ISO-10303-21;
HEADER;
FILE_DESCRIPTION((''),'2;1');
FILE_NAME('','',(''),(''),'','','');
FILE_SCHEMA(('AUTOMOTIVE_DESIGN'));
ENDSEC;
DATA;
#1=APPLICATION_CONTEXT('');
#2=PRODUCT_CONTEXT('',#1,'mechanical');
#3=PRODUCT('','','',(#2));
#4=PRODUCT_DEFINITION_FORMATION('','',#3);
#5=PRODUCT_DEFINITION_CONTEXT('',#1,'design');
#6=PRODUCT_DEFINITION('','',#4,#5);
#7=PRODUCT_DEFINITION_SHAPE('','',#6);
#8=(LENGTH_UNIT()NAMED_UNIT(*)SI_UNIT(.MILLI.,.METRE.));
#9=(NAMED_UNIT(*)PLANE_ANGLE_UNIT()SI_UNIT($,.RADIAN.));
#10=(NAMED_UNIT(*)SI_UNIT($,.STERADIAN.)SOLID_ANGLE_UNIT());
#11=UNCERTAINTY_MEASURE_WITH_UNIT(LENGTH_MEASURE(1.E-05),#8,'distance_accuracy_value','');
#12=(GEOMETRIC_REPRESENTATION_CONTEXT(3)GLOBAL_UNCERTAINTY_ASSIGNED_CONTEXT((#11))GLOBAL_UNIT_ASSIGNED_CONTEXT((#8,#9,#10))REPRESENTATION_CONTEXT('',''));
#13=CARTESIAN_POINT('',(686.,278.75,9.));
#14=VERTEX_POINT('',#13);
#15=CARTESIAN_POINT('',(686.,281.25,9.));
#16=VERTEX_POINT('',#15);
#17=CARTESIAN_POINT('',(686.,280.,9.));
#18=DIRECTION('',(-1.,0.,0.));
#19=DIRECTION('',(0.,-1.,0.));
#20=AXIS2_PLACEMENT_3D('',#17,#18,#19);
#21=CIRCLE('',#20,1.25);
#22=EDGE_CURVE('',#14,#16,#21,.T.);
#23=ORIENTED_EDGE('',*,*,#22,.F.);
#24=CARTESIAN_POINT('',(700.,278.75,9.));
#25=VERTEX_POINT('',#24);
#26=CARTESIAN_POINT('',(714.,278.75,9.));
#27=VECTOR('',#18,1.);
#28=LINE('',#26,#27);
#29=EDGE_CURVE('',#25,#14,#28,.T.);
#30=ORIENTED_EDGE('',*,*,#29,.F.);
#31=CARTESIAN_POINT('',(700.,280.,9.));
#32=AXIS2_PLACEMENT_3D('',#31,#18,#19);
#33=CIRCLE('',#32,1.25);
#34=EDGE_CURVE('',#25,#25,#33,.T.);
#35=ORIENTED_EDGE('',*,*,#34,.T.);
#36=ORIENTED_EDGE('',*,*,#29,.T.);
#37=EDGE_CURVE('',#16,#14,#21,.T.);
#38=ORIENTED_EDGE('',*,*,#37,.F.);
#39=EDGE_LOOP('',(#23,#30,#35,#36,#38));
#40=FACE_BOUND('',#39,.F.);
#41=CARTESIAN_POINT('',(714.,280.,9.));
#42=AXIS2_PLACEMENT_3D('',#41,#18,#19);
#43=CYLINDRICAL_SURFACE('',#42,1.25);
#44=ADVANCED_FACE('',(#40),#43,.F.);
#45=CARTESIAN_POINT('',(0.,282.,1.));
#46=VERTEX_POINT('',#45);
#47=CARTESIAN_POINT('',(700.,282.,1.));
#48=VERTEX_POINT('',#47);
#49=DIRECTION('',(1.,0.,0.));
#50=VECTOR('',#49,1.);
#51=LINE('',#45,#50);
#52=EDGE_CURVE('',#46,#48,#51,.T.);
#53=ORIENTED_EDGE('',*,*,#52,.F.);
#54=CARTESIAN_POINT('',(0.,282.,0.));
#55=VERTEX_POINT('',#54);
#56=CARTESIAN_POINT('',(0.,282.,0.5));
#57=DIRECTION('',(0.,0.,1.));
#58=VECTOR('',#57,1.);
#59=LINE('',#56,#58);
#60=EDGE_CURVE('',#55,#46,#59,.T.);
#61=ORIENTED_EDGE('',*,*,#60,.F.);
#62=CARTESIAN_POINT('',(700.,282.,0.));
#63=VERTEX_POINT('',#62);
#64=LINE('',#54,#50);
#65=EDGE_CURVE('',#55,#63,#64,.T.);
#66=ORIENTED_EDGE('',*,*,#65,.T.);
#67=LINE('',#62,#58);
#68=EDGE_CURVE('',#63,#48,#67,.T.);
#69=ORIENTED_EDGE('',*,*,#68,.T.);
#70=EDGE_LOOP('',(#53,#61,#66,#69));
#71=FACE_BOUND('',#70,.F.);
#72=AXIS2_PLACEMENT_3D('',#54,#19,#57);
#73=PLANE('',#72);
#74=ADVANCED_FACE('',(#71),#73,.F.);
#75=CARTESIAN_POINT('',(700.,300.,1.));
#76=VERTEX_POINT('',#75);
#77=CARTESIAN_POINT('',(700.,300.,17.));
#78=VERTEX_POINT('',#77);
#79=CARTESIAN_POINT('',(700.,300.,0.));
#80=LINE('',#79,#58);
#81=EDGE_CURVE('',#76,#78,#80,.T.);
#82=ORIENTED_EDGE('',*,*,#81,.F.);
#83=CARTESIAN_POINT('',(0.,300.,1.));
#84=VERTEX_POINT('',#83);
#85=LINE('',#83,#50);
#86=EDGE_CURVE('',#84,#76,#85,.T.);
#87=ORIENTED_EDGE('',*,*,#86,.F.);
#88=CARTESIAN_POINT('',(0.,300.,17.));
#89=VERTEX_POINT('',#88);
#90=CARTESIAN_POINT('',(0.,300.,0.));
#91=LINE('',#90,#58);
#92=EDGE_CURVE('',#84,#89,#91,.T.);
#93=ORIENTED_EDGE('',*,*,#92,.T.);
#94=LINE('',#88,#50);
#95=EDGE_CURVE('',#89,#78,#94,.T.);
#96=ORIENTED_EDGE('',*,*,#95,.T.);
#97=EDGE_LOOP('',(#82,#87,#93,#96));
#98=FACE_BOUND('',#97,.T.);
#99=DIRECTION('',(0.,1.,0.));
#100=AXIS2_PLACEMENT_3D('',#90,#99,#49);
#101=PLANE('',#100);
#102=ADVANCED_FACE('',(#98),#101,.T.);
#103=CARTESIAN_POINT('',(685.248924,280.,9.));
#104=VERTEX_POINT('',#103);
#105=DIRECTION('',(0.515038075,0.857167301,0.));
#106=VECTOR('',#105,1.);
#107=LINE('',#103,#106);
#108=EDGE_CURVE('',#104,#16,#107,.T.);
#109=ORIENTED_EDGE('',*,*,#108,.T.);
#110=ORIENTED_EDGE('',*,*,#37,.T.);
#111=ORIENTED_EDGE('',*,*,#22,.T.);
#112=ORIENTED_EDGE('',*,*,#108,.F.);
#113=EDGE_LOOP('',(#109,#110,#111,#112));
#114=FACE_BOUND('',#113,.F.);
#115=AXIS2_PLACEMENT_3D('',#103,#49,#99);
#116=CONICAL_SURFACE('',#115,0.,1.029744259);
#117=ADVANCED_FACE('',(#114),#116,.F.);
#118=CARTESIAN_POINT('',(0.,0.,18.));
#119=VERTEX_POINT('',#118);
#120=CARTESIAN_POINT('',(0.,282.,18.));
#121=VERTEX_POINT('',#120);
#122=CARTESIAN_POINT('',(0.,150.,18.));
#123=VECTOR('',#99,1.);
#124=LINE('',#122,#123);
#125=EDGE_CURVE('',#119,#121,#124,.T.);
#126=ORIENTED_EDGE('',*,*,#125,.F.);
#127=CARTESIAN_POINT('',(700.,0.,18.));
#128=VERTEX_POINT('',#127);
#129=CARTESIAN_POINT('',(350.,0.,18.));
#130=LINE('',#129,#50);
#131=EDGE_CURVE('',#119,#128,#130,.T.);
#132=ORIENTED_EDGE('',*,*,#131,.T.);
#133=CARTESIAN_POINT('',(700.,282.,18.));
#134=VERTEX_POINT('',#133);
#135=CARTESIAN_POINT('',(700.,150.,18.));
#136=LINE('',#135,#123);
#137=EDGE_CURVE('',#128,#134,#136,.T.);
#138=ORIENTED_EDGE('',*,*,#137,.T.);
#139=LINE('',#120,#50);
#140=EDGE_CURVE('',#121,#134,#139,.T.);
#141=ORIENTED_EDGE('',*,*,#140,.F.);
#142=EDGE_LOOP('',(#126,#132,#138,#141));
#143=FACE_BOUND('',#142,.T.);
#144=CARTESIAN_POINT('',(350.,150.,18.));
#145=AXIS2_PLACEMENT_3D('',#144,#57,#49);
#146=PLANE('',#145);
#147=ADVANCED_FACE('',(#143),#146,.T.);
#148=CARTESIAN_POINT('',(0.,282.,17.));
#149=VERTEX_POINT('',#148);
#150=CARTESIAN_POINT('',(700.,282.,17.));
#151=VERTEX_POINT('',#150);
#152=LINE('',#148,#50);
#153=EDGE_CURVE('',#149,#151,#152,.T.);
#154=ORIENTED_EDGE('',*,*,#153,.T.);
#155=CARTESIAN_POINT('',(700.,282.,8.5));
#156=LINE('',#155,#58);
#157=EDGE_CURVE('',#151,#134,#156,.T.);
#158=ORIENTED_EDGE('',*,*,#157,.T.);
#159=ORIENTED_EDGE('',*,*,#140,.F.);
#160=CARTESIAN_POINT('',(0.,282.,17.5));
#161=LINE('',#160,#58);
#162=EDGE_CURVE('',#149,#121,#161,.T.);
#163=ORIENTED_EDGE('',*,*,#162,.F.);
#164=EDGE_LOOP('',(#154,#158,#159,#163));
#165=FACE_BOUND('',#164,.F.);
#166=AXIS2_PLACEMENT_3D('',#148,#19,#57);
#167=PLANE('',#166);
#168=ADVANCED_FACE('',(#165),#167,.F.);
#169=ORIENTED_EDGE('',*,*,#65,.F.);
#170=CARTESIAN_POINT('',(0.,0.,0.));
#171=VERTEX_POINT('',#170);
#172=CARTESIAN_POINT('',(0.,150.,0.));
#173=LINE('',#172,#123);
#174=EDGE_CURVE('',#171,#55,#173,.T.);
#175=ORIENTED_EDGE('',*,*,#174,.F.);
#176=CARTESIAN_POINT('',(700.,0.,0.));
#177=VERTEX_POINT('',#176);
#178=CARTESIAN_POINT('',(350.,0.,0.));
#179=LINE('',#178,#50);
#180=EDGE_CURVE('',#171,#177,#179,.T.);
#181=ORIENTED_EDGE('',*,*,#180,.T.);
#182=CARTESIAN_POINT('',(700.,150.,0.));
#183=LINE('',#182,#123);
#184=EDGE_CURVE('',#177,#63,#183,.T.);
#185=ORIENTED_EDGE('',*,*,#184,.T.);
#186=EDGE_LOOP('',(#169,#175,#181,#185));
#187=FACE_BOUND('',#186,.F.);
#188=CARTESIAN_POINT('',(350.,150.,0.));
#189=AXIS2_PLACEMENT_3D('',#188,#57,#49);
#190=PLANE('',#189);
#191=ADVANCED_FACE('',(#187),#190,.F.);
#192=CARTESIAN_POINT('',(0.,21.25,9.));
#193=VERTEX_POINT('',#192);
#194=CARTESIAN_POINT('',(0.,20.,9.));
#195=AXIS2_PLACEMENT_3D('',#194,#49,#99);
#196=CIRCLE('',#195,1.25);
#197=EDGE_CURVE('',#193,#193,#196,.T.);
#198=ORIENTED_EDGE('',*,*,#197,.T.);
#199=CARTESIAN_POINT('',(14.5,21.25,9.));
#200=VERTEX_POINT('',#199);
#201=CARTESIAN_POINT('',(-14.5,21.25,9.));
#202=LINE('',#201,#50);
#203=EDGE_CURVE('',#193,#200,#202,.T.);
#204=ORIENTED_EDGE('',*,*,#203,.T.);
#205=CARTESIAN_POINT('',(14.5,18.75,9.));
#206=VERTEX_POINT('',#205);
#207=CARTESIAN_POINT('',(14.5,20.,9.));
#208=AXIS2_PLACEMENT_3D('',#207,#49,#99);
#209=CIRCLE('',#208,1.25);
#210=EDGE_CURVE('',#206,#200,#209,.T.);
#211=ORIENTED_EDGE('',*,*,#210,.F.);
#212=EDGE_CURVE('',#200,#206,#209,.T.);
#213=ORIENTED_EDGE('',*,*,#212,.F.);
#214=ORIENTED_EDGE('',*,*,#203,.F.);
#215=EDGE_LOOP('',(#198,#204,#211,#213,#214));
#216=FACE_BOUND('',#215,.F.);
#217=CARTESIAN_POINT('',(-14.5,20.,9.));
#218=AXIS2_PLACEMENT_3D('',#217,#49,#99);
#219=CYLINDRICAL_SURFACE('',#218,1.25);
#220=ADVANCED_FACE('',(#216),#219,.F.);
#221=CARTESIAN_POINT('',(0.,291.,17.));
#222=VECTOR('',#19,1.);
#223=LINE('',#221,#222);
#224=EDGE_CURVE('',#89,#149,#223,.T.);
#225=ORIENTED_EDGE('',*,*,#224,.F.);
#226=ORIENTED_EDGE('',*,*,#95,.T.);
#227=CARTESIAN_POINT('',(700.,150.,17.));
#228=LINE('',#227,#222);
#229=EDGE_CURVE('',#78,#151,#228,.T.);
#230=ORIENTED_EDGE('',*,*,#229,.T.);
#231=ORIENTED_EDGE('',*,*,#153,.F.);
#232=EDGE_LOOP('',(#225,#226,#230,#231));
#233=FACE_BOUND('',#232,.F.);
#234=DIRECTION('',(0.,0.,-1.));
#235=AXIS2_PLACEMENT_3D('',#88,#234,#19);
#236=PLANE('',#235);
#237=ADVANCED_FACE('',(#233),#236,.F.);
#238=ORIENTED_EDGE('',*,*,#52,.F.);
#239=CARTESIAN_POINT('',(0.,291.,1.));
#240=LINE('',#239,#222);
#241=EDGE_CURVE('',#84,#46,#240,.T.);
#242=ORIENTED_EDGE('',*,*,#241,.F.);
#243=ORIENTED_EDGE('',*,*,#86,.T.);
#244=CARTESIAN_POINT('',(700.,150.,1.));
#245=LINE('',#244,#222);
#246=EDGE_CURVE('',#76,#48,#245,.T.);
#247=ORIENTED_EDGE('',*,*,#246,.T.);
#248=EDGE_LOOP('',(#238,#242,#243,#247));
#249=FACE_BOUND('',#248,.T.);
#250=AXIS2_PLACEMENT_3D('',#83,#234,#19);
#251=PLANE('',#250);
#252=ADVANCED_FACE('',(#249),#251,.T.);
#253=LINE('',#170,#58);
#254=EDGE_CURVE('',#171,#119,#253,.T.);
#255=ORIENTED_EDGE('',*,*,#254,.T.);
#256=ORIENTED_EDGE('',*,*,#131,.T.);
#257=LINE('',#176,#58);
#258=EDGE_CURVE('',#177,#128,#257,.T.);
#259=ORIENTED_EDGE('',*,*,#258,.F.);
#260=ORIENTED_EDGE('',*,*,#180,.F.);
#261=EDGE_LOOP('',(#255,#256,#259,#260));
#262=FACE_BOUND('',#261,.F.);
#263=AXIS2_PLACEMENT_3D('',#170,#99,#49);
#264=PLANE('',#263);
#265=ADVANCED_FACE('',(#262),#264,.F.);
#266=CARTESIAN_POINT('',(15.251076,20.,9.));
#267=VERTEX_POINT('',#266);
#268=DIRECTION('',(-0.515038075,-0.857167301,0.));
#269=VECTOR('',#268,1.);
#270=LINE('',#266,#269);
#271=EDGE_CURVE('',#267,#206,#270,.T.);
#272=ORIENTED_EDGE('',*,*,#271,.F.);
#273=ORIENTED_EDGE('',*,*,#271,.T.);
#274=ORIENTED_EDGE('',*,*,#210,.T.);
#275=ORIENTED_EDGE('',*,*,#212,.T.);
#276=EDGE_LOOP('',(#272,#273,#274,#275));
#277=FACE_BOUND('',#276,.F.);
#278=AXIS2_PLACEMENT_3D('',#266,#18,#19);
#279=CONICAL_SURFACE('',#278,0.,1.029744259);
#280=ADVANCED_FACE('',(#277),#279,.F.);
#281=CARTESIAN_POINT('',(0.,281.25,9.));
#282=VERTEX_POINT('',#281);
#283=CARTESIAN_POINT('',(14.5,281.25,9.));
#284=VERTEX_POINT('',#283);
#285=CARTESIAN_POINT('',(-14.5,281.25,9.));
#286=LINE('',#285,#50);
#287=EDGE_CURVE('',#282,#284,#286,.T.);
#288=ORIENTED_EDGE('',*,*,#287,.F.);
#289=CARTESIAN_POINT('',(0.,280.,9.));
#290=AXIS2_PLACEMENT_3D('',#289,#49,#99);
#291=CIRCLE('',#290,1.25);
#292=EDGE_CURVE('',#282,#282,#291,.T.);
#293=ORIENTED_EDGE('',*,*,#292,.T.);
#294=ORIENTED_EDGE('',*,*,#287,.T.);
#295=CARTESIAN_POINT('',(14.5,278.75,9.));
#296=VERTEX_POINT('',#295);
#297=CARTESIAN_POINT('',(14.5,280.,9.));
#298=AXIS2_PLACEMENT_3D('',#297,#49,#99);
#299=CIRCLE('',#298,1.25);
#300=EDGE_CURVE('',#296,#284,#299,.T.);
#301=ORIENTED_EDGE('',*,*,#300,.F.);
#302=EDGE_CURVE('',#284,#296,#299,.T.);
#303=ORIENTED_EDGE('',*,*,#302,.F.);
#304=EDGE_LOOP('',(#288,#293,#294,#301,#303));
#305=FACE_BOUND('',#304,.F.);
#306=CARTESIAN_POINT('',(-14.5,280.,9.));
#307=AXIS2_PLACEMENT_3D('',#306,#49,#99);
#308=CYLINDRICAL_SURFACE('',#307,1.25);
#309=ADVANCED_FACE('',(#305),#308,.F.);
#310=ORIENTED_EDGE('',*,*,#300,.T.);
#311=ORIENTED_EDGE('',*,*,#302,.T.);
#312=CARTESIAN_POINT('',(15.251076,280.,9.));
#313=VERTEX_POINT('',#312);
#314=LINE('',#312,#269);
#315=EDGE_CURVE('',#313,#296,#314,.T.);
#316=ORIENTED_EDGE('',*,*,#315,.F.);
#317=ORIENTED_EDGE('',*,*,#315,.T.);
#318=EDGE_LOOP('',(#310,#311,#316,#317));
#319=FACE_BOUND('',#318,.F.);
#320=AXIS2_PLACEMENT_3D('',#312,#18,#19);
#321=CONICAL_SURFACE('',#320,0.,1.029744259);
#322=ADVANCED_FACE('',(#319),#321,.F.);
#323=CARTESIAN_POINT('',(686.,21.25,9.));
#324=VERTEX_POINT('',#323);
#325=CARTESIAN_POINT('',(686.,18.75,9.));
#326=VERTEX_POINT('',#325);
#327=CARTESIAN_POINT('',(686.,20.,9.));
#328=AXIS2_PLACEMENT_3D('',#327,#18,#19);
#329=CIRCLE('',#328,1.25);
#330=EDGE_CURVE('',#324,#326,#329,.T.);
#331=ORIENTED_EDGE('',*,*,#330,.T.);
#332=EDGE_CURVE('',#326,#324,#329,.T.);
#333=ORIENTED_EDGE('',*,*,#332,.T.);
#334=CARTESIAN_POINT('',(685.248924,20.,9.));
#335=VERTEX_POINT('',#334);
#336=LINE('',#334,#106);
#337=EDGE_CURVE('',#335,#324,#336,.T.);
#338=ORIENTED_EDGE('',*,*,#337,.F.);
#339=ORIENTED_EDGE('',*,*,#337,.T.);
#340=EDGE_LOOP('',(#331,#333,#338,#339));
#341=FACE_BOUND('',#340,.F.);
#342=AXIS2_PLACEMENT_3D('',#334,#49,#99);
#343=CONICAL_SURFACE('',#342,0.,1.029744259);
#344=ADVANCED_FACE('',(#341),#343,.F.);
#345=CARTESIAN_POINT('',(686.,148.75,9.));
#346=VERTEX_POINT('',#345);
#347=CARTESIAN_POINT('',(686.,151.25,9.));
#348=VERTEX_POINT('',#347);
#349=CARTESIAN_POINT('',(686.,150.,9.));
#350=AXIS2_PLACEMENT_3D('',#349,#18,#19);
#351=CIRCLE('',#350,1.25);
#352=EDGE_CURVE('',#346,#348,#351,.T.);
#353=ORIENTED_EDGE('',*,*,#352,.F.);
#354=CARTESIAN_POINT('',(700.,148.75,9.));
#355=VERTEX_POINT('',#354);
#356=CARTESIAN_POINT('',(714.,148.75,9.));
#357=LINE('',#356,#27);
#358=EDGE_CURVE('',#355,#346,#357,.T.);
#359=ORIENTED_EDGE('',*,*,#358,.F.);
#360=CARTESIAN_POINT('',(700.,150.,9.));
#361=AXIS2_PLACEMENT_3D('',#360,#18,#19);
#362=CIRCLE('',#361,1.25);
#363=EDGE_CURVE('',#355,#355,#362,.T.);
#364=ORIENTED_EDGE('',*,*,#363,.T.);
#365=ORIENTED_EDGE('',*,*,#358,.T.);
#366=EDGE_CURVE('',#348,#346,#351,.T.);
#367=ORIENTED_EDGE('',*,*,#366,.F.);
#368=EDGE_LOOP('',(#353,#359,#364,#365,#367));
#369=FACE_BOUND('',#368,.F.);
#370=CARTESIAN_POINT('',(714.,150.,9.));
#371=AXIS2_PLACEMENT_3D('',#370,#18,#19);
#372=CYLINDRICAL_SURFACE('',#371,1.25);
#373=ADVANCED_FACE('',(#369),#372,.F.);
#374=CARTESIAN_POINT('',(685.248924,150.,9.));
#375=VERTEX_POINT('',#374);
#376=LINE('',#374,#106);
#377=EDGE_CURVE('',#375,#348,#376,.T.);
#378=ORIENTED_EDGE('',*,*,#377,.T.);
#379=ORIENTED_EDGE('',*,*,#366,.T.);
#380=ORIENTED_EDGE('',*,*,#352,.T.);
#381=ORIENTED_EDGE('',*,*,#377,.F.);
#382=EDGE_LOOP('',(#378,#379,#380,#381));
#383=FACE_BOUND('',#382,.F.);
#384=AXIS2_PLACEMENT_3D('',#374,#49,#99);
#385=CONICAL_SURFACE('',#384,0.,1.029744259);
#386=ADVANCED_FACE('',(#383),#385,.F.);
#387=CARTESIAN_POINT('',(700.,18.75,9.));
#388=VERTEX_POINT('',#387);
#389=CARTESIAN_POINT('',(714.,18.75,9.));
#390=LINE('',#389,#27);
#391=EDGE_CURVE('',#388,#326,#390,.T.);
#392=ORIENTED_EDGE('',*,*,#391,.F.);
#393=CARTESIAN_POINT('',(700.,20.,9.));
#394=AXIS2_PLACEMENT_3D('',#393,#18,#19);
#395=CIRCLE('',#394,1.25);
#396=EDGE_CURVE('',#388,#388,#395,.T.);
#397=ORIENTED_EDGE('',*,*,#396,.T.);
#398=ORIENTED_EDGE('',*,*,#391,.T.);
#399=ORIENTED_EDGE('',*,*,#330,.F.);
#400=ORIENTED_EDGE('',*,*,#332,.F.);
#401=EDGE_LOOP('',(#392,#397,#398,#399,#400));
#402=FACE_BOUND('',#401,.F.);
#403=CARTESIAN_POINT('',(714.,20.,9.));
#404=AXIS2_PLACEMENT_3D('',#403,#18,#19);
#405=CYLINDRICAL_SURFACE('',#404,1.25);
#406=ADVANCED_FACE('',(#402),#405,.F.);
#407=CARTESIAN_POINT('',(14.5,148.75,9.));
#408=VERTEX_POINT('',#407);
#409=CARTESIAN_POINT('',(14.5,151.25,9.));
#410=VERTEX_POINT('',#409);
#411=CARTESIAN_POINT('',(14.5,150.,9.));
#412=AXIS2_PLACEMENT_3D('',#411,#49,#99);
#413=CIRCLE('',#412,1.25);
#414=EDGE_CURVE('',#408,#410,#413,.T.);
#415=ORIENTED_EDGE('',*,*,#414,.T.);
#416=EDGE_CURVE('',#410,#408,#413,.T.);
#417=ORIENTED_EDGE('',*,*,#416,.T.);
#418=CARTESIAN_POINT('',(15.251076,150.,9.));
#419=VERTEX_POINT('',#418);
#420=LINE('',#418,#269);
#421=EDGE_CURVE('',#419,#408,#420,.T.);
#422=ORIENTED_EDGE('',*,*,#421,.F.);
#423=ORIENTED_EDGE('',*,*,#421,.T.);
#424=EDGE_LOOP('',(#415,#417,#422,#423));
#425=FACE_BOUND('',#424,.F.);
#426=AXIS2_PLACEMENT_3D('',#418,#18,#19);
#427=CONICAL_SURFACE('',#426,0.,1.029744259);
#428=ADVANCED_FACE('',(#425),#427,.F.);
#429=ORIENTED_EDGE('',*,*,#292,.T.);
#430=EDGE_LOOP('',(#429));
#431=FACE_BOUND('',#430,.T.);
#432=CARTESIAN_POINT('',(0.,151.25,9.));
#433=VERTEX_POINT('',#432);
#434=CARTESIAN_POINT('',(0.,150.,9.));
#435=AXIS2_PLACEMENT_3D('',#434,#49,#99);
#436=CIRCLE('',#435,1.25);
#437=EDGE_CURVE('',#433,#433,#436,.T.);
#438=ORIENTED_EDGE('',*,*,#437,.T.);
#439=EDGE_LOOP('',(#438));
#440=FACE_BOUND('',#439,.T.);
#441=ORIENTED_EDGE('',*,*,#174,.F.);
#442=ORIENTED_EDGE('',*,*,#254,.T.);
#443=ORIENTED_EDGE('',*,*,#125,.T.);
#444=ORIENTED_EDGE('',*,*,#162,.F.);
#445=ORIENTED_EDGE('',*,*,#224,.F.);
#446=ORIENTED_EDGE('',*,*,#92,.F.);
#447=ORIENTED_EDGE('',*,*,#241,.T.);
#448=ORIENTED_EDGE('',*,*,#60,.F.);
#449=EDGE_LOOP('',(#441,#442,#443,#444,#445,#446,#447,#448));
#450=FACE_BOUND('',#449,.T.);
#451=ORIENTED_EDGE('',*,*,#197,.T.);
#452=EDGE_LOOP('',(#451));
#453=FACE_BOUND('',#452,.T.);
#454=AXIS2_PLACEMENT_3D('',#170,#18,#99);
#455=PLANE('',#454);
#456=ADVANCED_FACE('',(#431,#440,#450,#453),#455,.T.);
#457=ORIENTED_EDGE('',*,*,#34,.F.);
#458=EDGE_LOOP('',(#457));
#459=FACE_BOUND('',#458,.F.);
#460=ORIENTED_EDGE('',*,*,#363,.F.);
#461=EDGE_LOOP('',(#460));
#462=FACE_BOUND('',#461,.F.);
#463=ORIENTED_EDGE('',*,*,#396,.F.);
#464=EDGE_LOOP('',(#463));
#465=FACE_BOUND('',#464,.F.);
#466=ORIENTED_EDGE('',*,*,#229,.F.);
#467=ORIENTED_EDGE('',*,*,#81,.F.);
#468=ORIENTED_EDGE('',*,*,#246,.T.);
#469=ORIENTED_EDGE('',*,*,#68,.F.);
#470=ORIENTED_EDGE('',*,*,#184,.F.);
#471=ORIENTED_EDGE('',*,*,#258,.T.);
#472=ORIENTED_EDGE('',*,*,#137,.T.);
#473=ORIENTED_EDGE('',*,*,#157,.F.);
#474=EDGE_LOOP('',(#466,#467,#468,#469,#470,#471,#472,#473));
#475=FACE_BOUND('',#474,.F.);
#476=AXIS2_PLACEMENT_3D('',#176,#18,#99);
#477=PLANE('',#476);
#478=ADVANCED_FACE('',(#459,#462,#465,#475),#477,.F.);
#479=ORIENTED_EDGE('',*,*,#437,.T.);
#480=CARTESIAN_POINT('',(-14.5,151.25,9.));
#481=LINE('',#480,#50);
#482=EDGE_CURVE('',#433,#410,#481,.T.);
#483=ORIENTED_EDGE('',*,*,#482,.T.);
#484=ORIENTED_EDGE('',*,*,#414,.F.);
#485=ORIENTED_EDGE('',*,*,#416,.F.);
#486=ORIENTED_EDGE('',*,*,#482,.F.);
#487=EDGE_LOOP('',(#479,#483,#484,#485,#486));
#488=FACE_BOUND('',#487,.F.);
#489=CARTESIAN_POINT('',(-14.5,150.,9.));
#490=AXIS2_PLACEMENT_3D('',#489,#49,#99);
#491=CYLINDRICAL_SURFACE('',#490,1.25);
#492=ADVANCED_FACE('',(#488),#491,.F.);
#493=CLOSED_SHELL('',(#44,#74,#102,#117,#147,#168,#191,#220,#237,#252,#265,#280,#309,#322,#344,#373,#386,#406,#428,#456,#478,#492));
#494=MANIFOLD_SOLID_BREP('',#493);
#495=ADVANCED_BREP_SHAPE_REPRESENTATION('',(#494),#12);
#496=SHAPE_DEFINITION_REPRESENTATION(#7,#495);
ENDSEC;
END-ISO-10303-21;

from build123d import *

# Parameters (mm, degrees)
F0_W     = 700
F0_H     = 300
F1_DEPTH = 18
F2_W     = 18
F2_H     = 1
F3_DEPTH = 700.001
F5_D     = 2.5
F5_DEPTH = 14.5
F5_TIP   = 0.7510757738
F7_D     = 2.5
F7_DEPTH = 14
F7_TIP   = 0.7510757738


with BuildPart() as f1:
    # F0 (on Top) → F1 (new body)
    with BuildSketch(Plane.XY):
        with Locations((350, 150)):
            Rectangle(F0_W, F0_H)
    extrude(amount=F1_DEPTH)

    # F2 (on face) → F3 (cut, through all)
    with BuildSketch(Plane(origin=(0, 0, 0), x_dir=(0, -1, 0), z_dir=(-1, 0, 0))):
        with Locations((-291, 17.5)):
            Rectangle(F2_W, F2_H)
        with Locations((-291, 0.5)):
            Rectangle(F2_W, F2_H)
    extrude(amount=-F3_DEPTH, mode=Mode.SUBTRACT)

    # F5
    with Locations(Plane(origin=(0, 0, 0), x_dir=(0, -1, 0), z_dir=(-1, 0, 0))):
        with Locations((-280, 9), (-150, 9), (-20, 9)):
            Hole(F5_D / 2, depth=F5_DEPTH)
            with Locations((0, 0, -(F5_DEPTH + F5_TIP / 2))):  # 118° drill point
                Cone(0, F5_D / 2, F5_TIP, mode=Mode.SUBTRACT)

    # F7
    with Locations(Plane.YZ.offset(700)):
        with Locations((20, 9), (150, 9), (280, 9)):
            Hole(F7_D / 2, depth=F7_DEPTH)
            with Locations((0, 0, -(F7_DEPTH + F7_TIP / 2))):  # 118° drill point
                Cone(0, F7_D / 2, F7_TIP, mode=Mode.SUBTRACT)


solid = f1.part
